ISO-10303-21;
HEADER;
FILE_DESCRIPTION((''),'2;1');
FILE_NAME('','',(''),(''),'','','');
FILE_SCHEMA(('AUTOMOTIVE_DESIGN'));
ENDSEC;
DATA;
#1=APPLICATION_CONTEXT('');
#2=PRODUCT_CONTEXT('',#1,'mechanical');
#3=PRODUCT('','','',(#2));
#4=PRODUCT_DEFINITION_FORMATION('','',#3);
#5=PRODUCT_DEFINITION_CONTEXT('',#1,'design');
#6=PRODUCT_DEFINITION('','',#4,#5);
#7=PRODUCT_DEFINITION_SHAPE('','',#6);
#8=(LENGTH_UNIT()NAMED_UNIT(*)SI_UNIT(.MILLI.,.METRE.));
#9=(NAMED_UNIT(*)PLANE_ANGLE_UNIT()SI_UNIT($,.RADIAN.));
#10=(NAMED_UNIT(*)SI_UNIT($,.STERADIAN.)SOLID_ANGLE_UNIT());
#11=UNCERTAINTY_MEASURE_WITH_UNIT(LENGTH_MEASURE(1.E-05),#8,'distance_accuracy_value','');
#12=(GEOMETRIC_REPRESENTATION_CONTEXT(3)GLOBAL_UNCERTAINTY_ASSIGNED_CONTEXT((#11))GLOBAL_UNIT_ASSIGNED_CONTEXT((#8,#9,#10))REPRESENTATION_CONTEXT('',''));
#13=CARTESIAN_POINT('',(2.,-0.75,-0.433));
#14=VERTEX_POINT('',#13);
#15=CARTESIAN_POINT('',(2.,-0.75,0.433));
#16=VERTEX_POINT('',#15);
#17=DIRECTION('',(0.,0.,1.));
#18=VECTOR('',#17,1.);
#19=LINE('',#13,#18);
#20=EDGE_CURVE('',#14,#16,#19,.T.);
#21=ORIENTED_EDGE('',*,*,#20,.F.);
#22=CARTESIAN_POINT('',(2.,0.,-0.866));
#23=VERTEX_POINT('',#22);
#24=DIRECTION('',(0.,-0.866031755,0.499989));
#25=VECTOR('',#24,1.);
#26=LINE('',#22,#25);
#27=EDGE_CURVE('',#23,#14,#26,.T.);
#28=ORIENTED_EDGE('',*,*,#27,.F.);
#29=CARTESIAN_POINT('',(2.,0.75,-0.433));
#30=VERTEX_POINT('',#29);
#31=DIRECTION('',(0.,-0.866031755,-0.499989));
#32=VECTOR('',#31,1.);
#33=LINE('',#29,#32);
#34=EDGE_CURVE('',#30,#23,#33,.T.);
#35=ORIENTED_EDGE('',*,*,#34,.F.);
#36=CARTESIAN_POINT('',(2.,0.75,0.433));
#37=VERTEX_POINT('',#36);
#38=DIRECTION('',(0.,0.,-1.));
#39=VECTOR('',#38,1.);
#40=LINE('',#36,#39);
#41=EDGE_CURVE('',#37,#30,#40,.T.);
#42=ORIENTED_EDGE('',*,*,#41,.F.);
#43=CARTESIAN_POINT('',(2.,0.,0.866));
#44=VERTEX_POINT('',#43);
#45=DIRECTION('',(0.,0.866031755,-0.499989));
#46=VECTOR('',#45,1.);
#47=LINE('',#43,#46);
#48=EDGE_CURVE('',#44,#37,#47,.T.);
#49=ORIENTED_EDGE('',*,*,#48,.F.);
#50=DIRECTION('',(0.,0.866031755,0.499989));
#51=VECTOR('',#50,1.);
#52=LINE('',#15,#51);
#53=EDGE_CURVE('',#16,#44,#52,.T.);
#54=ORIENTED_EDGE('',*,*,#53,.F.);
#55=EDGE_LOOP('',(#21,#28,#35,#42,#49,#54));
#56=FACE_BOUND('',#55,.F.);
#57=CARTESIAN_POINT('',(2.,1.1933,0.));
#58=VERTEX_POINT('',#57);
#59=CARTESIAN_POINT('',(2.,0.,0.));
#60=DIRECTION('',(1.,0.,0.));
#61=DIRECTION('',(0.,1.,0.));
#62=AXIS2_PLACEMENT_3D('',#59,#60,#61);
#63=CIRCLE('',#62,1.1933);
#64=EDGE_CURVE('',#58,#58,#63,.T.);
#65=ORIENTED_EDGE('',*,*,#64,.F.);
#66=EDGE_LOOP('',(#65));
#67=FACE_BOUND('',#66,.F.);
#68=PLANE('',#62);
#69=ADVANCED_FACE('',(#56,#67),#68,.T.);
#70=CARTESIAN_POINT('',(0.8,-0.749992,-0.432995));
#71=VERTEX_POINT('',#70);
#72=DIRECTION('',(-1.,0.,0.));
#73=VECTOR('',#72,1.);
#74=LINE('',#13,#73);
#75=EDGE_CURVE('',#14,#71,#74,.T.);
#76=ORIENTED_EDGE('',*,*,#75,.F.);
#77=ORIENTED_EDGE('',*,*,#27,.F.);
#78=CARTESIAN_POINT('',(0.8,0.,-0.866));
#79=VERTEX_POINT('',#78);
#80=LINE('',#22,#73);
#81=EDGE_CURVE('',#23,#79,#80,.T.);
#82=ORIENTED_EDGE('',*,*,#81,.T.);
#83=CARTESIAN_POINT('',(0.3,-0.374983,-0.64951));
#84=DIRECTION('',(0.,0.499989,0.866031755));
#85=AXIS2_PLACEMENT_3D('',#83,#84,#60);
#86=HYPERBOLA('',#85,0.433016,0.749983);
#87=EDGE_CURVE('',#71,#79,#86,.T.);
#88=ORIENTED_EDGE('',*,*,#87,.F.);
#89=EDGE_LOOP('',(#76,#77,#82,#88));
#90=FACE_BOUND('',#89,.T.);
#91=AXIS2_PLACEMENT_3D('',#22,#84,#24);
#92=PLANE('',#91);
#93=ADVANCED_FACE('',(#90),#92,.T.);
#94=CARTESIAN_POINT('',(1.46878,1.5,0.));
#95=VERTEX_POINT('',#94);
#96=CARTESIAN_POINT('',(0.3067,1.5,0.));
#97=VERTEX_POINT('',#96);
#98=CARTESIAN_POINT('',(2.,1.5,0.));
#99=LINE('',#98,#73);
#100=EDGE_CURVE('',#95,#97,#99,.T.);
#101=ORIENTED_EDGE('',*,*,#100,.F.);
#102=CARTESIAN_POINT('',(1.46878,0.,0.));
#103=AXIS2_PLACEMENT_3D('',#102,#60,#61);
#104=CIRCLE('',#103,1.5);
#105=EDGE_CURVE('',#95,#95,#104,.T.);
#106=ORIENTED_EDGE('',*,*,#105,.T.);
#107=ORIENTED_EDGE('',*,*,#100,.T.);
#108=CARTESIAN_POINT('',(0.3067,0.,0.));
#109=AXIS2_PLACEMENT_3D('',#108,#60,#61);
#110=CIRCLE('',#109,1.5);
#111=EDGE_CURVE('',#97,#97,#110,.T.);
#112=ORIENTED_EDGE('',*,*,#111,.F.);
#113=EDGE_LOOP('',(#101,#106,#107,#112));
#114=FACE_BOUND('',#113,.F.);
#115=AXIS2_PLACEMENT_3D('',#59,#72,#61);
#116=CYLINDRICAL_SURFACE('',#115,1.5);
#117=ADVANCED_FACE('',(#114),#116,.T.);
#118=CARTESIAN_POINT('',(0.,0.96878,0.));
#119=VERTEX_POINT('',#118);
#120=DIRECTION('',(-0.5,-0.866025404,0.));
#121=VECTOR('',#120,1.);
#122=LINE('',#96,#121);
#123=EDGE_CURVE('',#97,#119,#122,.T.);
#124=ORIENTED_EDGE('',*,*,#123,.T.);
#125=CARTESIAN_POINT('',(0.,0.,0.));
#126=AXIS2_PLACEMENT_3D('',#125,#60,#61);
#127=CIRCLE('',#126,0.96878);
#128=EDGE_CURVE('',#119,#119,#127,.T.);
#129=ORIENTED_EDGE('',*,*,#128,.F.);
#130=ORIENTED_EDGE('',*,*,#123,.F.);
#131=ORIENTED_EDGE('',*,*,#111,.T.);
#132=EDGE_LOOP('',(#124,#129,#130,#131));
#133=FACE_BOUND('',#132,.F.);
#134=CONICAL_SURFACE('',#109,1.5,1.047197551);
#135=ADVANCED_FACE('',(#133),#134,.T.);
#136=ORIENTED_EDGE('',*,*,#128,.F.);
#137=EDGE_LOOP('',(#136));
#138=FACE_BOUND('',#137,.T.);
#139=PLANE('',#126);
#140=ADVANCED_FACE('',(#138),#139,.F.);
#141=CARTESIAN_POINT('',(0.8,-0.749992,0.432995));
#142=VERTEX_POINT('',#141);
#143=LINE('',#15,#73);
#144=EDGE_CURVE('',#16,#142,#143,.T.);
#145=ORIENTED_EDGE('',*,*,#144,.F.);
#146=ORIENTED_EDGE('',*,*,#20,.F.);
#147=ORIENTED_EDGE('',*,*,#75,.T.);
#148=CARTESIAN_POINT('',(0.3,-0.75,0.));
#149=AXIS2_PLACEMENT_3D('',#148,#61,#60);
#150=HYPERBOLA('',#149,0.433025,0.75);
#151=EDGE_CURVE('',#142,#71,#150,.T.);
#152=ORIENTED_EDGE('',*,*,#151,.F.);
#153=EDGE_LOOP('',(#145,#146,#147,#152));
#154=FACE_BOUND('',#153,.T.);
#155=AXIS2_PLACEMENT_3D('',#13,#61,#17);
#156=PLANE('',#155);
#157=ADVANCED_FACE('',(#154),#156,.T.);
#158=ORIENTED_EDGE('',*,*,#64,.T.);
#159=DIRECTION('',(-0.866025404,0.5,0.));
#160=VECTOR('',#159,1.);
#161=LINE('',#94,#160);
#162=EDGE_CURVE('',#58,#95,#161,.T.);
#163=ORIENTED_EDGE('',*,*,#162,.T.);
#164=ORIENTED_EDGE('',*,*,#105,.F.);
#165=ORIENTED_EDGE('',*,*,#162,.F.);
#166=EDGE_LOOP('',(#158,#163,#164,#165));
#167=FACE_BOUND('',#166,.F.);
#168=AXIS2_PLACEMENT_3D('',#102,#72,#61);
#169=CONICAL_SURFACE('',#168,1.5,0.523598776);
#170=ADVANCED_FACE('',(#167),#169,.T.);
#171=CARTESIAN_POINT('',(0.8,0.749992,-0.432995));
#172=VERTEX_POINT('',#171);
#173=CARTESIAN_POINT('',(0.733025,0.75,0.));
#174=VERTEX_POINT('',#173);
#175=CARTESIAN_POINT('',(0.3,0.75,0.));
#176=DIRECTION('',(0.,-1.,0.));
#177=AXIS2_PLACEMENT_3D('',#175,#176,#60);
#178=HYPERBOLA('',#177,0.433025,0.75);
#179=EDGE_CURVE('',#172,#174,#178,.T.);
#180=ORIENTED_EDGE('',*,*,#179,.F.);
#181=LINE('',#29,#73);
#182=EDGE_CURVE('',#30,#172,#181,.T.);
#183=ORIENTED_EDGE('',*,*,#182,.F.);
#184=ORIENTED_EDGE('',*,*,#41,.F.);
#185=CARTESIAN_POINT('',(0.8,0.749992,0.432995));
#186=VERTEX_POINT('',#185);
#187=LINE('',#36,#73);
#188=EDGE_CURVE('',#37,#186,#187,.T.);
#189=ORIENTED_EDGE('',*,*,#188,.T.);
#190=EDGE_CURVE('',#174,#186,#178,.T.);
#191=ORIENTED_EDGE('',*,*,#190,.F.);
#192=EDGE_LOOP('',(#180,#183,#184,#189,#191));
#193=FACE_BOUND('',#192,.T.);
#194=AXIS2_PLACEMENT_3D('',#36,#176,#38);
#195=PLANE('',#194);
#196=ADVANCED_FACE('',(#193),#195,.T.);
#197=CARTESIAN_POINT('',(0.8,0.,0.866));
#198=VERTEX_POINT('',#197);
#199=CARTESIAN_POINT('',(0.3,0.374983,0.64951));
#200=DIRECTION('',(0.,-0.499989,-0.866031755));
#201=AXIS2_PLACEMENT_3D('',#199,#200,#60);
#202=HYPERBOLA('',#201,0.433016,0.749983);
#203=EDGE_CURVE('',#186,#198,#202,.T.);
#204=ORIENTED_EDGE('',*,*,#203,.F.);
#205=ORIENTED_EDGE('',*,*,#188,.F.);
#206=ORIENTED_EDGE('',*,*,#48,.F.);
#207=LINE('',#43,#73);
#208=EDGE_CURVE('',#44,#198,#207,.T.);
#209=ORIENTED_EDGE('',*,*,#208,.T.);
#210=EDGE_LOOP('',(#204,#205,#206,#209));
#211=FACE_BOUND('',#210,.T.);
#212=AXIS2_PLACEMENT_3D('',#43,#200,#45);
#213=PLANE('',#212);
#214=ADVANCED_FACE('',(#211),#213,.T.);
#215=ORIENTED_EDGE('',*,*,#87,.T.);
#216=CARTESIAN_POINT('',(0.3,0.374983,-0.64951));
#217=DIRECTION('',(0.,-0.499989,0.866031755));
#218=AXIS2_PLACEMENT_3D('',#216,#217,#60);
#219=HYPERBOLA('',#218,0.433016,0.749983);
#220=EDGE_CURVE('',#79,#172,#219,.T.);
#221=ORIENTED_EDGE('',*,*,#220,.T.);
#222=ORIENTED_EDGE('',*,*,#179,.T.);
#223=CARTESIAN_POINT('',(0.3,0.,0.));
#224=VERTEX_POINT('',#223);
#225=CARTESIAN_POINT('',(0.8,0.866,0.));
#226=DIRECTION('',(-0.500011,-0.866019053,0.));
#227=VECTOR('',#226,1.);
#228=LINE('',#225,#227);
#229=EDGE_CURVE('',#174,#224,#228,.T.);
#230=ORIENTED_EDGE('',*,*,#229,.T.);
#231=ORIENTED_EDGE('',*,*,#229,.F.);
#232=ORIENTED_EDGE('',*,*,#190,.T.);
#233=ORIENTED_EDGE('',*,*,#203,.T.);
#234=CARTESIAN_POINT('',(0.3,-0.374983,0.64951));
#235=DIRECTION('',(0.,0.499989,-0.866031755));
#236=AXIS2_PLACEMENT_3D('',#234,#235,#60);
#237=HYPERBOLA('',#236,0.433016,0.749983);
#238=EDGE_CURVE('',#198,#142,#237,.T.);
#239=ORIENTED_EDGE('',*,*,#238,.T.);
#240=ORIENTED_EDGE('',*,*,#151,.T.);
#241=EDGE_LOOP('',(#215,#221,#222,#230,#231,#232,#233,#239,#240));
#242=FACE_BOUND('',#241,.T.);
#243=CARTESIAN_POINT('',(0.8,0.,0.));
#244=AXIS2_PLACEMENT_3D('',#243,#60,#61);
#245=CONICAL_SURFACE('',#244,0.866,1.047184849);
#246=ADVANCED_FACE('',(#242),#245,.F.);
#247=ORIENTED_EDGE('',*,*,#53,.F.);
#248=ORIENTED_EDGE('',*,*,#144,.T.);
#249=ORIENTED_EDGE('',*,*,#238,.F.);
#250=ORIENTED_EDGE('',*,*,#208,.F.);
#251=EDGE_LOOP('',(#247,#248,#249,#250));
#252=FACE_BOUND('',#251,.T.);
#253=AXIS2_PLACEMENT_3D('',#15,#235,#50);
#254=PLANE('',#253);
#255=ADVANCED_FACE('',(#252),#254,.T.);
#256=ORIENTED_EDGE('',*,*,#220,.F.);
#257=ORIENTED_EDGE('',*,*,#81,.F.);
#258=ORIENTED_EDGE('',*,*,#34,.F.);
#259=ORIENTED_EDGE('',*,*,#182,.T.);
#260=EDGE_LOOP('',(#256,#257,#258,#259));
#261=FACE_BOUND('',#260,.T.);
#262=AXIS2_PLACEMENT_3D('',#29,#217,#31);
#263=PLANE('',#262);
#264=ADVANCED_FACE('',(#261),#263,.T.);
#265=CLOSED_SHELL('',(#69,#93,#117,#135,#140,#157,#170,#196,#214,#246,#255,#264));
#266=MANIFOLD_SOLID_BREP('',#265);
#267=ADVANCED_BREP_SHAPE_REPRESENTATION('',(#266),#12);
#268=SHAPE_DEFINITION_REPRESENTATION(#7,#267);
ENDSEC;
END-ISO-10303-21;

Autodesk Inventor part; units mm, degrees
ref_plane "YZ Plane" through (0, 0, 0) normal (1, 0, 0) x (0, 1, 0)
ref_plane "XZ Plane" through (0, 0, 0) normal (0, 1, 0) x (-1, 0, 0)
sketch "Sketch1" plane through (0, 0, 0) normal (0, 0, 1) x (1, 0, 0)
  line L0 (0, 0) -> (0.3, 0)
  line L1 (2, 0.866) -> (2, 1.5)
  line L2 (2, 1.5) -> (0, 1.5)
  line L3 (2, 0.866) -> (0.8, 0.866)
  line L4 (0.8, 0.866) -> (0.3, 0)
  line L5 (0, -0.3) -> (0, 1.8) projected
  line L6 (0, 1.5) -> (0, 0)
  dimension "d0" = 1.2
  dimension "d1" = 60
  dimension "d2" = 3
  dimension "d3" = 1.7321
  dimension "d5" = 2
revolve "Body" add sketch "Sketch1" angle 360 about axis through (0, 0, 0) along (1, 0, 0)
chamfer "Chamfer1" distance 0.3067 angle 60 1 edges at (2, -1.5, 0) measured on face at (2, 1.2658, -0.1887)
sketch "Sketch2" plane through (2, 0, 0) normal (1, 0, 0) x (0, 0, -1)
  circle A0 centre (0, 0) radius 0.866 projected
  line L0 (-0.433, 0.75) -> (0.433, 0.75)
  line L1 (0.433, 0.75) -> (0.866, 0)
  line L2 (0.866, 0) -> (0.433, -0.75)
  line L3 (0.433, -0.75) -> (-0.433, -0.75)
  line L4 (-0.433, -0.75) -> (-0.866, 0)
  line L5 (-0.866, 0) -> (-0.433, 0.75)
extrude "Slot" add sketch "Sketch2" against normal up to next contours L1 A0 | A0 L2 | L0 A0 | A0 L3 | L5 A0 | A0 L4
thread "Thread" size "M3x0.5" class "6g" standard "ISO Metric profile" length 2
chamfer "Chamfer2" distance 0.3067 angle 60 1 edges at (0, -1.5, 0) measured on face at (0.4896, 1.4951, -0.1207)
ref_plane "Work Plane1" through (1, 0, 0) normal (0, 0.5, 0.866) x (1, 0, 0)
equation "\"d7\" = -0.5 * GD1 + 0.5 * NND"
equation "\"d8\" = FAWI"
equation "\"d29\" = -0.5 * GD1 + 0.5 * NND"
equation "\"d11\" = NLG"
equation "\"d13\" = -0.5 * GD1 + 0.5 * NND"
equation "\"d14\" = FAWI"
equation "\"d30\" = -0.5 * GD1 + 0.5 * NND"
equation "\"d0\" = INTI"
equation "\"d2\" = NND"
equation "\"d3\" = 1.1547 * SW"
equation "\"d5\" = NLG"
equation "\"NND\" = 3"
equation "\"NLG\" = 2"
equation "\"INTI\" = 1.2"
equation "\"FAWI\" = 60deg"
equation "\"SW\" = 1.5"
equation "\"GD1\" = THREADDIA - 1.2269 * PTC"
equation "\"FAWI1\" = 45deg"
equation "\"GUL\" = 0.61345 * PTC"
equation "\"SPD\" = 2"
equation "\"TOA\" = 30deg"
equation "\"THREADDIA\" = 3"
equation "\"PTC\" = 0.5"
equation "\"GAL\" = 0.61345 * PTC"
equation "\"E0\" = 1.155 * SW"
properties part number "IS: 6094 - M3 x 2(1)" material "Steel, Mild"
